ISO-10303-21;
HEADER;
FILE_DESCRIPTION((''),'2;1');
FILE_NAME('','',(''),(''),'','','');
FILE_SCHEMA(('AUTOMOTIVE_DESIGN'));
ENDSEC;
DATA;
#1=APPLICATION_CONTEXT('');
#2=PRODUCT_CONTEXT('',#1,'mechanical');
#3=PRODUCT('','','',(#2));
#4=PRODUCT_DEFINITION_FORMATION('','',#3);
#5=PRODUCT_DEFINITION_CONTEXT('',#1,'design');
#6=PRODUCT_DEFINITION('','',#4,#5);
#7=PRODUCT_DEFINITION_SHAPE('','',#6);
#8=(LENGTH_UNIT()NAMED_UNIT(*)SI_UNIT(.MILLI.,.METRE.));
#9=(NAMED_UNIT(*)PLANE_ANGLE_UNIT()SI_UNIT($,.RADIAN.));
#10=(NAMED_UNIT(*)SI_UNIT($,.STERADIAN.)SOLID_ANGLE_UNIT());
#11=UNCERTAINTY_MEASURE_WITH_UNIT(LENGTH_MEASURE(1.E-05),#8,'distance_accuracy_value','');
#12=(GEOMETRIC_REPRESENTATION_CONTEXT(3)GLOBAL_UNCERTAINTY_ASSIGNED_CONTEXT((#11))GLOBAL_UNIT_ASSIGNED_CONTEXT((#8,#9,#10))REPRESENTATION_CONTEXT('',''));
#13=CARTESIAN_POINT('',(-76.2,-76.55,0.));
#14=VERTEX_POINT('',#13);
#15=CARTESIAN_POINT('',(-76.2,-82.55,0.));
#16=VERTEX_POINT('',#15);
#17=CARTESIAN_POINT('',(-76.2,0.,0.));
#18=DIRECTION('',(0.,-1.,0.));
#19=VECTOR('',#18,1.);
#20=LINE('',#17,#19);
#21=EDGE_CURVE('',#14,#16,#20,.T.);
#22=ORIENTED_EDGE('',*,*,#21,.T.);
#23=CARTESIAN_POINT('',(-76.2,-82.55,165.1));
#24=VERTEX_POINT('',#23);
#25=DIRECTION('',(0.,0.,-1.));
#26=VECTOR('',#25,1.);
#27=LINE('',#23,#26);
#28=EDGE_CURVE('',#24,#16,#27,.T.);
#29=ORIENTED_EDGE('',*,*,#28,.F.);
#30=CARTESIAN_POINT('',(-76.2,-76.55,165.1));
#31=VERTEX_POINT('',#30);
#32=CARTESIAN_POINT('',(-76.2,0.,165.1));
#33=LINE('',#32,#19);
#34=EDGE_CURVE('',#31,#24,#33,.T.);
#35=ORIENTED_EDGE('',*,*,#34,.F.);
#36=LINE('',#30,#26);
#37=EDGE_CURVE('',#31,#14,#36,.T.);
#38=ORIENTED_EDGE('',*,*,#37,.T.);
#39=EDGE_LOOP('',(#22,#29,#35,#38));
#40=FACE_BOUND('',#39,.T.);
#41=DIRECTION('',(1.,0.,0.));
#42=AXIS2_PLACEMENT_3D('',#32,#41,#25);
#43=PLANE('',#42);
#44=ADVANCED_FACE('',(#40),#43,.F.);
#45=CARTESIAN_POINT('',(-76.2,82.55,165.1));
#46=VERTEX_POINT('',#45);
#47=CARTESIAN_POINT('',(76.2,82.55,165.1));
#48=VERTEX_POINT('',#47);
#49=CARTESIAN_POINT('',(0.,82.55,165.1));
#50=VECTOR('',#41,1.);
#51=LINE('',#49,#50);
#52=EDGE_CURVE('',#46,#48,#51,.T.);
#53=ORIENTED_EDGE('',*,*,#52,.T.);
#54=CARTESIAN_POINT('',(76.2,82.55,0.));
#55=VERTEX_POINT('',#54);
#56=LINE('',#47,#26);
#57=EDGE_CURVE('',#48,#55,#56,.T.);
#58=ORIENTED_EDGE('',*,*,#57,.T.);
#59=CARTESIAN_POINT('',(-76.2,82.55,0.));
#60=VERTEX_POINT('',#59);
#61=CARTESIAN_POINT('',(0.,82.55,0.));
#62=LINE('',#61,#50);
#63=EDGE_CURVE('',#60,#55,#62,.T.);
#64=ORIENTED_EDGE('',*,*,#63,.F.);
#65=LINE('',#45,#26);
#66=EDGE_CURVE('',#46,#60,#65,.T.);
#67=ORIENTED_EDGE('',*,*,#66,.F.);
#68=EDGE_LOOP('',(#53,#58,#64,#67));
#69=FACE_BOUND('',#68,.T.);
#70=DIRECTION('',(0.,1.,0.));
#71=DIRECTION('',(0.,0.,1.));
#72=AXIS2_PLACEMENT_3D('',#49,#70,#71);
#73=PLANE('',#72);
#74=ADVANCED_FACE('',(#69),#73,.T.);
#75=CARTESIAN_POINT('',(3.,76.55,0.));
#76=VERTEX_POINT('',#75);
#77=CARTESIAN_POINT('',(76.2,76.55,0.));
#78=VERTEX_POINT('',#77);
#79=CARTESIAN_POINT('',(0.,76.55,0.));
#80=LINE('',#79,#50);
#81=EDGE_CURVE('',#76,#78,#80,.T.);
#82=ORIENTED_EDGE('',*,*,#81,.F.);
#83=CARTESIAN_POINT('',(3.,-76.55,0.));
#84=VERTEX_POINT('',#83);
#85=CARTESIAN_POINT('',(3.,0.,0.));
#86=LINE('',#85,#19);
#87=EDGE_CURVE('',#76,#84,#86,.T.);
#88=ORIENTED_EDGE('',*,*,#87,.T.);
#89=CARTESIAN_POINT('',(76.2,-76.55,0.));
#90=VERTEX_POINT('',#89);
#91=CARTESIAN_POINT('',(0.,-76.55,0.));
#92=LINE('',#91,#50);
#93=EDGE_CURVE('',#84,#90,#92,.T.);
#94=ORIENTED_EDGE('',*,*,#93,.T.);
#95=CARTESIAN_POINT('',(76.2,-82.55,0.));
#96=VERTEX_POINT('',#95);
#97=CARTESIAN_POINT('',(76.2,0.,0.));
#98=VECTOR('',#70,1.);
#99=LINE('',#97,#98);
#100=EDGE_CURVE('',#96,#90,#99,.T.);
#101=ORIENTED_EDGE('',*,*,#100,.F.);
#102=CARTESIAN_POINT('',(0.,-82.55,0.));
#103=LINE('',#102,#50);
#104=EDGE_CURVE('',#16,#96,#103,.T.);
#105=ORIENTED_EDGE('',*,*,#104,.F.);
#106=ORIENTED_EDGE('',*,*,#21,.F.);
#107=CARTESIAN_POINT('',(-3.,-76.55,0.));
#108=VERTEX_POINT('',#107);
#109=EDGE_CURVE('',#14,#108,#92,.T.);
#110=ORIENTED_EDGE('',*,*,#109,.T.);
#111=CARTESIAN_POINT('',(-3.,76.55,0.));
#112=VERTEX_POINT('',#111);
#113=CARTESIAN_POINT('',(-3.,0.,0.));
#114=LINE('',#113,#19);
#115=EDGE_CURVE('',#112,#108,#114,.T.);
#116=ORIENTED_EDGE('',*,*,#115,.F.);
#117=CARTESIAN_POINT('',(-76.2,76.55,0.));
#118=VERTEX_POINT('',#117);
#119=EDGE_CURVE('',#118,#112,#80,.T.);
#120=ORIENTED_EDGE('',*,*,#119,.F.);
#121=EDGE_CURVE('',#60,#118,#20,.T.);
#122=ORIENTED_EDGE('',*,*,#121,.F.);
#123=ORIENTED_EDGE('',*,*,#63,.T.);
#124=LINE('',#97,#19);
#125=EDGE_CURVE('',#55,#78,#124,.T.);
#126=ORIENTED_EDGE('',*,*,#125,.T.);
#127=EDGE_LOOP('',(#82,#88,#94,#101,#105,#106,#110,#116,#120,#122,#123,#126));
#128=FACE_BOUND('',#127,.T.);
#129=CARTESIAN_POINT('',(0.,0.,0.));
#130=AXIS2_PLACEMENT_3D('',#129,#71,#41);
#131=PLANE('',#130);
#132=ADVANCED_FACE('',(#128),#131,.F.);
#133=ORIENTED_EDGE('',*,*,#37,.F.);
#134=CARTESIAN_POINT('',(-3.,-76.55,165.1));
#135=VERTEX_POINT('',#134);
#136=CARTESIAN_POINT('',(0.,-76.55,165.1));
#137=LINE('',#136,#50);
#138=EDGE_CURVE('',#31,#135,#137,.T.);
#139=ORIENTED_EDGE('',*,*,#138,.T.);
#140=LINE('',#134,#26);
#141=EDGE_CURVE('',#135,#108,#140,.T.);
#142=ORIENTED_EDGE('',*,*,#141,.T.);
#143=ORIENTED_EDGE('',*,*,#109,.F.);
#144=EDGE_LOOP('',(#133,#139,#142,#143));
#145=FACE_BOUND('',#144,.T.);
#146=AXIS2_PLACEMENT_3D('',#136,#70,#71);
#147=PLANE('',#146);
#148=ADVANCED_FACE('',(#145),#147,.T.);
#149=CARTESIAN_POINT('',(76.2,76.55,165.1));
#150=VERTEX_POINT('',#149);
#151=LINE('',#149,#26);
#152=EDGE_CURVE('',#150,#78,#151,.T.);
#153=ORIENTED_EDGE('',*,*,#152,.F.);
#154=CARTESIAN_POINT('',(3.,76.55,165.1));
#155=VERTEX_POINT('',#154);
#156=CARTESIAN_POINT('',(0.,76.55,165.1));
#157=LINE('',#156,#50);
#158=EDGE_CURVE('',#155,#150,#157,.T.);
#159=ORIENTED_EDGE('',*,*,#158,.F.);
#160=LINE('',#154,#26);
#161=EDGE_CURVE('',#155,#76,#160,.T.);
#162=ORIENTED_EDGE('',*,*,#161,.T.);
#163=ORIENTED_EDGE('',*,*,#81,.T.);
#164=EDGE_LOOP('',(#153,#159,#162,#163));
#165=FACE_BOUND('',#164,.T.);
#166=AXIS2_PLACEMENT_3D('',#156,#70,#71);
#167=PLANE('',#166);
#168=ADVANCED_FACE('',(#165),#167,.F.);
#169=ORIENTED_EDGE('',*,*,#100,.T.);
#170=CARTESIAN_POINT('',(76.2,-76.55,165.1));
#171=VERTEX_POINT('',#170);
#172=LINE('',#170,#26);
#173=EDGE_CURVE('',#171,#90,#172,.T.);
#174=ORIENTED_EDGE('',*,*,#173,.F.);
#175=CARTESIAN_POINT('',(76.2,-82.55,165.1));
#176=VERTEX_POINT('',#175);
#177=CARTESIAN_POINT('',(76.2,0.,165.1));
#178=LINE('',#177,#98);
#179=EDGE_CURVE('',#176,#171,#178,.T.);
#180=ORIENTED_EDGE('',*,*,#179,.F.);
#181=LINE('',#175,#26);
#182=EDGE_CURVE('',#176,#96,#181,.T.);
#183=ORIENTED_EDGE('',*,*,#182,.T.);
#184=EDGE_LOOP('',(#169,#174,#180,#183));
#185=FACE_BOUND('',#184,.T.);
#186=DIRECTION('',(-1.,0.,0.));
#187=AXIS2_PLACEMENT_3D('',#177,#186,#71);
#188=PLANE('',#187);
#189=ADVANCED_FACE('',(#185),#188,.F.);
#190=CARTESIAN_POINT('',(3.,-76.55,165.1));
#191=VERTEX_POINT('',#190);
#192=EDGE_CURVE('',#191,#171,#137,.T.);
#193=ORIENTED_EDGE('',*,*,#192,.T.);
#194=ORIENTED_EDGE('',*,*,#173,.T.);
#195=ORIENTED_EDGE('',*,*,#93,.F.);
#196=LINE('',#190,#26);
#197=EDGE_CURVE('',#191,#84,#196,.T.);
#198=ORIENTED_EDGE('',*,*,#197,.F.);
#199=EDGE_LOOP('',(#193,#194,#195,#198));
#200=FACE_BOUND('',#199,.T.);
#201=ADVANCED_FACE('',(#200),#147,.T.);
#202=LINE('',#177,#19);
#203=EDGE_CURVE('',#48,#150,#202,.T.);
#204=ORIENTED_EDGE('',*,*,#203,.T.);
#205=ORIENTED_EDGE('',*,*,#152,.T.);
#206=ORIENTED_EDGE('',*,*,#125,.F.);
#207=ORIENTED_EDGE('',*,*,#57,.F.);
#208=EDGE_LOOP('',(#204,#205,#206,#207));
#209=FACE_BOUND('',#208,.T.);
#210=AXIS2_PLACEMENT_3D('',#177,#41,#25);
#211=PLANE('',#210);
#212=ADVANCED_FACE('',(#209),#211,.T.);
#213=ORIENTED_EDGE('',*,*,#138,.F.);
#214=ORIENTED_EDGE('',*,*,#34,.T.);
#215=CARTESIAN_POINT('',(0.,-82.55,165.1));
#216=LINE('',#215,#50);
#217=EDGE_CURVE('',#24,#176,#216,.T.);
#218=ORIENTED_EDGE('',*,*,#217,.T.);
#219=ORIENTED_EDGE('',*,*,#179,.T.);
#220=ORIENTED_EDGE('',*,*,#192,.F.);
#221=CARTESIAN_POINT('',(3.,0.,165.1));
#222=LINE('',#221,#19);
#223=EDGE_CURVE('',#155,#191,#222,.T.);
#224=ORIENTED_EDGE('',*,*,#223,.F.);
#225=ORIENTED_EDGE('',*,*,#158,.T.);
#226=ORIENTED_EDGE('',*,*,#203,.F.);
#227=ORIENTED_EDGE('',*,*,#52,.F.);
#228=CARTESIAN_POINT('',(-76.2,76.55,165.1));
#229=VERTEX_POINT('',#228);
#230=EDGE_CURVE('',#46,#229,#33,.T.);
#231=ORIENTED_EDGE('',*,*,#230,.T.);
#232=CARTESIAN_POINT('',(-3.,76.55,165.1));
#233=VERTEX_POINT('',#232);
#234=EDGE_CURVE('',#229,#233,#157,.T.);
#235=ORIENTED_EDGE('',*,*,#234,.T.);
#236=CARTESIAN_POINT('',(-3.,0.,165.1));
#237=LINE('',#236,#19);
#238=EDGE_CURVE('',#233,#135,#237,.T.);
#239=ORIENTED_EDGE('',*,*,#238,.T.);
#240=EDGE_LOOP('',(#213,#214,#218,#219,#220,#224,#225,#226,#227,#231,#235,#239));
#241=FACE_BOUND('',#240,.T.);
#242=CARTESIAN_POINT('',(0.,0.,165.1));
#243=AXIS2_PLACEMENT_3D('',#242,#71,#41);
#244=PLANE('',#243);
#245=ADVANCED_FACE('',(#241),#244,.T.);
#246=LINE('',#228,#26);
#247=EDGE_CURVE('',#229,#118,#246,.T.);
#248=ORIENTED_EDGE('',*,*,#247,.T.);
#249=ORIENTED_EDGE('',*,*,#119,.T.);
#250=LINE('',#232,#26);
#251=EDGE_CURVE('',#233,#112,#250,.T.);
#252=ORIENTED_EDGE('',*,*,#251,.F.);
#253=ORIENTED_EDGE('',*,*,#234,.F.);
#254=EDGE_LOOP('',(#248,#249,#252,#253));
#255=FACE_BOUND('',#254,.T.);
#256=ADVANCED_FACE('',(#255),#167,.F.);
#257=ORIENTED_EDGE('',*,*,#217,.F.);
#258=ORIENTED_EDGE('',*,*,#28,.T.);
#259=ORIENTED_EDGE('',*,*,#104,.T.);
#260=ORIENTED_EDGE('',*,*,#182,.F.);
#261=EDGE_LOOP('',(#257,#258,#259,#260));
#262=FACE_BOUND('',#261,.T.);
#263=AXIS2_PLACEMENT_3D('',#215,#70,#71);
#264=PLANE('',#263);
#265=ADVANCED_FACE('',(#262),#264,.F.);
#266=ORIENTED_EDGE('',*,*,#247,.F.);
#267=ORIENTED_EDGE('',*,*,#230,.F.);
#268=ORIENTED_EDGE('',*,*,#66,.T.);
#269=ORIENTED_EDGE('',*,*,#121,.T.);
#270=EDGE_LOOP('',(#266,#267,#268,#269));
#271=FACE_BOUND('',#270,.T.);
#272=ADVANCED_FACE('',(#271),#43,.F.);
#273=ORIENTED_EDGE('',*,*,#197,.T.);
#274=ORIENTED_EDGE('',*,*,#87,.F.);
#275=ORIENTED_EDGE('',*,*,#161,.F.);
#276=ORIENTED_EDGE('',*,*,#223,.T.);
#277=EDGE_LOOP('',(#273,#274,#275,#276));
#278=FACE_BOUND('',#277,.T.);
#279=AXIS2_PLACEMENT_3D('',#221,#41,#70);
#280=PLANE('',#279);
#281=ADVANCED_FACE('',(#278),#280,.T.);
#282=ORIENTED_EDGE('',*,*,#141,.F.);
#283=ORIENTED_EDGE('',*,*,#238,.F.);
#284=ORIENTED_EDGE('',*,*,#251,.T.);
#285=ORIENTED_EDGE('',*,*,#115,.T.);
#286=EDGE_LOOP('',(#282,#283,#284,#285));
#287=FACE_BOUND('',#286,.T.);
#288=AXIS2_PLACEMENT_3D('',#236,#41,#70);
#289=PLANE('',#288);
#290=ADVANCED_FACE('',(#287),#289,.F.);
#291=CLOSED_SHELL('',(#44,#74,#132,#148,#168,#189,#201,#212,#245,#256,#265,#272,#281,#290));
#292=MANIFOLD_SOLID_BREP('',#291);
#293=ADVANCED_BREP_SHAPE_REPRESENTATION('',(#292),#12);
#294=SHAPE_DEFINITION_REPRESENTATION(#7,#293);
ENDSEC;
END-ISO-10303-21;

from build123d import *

# Parameters (mm, degrees)
BOSS_EXTRUDE1_DEPTH = 165.1


with BuildPart() as part:
    # Sketch1 → Boss-Extrude1 (new body)
    with BuildSketch(Plane.XY):
        Polygon((3, -76.55), (76.2, -76.55), (76.2, -82.55), (-76.2, -82.55), (-76.2, -76.55), (-3, -76.55), (-3, 76.55), (-76.2, 76.55), (-76.2, 82.55), (76.2, 82.55), (76.2, 76.55), (3, 76.55), align=None)
    extrude(amount=BOSS_EXTRUDE1_DEPTH)


solid = part.part
